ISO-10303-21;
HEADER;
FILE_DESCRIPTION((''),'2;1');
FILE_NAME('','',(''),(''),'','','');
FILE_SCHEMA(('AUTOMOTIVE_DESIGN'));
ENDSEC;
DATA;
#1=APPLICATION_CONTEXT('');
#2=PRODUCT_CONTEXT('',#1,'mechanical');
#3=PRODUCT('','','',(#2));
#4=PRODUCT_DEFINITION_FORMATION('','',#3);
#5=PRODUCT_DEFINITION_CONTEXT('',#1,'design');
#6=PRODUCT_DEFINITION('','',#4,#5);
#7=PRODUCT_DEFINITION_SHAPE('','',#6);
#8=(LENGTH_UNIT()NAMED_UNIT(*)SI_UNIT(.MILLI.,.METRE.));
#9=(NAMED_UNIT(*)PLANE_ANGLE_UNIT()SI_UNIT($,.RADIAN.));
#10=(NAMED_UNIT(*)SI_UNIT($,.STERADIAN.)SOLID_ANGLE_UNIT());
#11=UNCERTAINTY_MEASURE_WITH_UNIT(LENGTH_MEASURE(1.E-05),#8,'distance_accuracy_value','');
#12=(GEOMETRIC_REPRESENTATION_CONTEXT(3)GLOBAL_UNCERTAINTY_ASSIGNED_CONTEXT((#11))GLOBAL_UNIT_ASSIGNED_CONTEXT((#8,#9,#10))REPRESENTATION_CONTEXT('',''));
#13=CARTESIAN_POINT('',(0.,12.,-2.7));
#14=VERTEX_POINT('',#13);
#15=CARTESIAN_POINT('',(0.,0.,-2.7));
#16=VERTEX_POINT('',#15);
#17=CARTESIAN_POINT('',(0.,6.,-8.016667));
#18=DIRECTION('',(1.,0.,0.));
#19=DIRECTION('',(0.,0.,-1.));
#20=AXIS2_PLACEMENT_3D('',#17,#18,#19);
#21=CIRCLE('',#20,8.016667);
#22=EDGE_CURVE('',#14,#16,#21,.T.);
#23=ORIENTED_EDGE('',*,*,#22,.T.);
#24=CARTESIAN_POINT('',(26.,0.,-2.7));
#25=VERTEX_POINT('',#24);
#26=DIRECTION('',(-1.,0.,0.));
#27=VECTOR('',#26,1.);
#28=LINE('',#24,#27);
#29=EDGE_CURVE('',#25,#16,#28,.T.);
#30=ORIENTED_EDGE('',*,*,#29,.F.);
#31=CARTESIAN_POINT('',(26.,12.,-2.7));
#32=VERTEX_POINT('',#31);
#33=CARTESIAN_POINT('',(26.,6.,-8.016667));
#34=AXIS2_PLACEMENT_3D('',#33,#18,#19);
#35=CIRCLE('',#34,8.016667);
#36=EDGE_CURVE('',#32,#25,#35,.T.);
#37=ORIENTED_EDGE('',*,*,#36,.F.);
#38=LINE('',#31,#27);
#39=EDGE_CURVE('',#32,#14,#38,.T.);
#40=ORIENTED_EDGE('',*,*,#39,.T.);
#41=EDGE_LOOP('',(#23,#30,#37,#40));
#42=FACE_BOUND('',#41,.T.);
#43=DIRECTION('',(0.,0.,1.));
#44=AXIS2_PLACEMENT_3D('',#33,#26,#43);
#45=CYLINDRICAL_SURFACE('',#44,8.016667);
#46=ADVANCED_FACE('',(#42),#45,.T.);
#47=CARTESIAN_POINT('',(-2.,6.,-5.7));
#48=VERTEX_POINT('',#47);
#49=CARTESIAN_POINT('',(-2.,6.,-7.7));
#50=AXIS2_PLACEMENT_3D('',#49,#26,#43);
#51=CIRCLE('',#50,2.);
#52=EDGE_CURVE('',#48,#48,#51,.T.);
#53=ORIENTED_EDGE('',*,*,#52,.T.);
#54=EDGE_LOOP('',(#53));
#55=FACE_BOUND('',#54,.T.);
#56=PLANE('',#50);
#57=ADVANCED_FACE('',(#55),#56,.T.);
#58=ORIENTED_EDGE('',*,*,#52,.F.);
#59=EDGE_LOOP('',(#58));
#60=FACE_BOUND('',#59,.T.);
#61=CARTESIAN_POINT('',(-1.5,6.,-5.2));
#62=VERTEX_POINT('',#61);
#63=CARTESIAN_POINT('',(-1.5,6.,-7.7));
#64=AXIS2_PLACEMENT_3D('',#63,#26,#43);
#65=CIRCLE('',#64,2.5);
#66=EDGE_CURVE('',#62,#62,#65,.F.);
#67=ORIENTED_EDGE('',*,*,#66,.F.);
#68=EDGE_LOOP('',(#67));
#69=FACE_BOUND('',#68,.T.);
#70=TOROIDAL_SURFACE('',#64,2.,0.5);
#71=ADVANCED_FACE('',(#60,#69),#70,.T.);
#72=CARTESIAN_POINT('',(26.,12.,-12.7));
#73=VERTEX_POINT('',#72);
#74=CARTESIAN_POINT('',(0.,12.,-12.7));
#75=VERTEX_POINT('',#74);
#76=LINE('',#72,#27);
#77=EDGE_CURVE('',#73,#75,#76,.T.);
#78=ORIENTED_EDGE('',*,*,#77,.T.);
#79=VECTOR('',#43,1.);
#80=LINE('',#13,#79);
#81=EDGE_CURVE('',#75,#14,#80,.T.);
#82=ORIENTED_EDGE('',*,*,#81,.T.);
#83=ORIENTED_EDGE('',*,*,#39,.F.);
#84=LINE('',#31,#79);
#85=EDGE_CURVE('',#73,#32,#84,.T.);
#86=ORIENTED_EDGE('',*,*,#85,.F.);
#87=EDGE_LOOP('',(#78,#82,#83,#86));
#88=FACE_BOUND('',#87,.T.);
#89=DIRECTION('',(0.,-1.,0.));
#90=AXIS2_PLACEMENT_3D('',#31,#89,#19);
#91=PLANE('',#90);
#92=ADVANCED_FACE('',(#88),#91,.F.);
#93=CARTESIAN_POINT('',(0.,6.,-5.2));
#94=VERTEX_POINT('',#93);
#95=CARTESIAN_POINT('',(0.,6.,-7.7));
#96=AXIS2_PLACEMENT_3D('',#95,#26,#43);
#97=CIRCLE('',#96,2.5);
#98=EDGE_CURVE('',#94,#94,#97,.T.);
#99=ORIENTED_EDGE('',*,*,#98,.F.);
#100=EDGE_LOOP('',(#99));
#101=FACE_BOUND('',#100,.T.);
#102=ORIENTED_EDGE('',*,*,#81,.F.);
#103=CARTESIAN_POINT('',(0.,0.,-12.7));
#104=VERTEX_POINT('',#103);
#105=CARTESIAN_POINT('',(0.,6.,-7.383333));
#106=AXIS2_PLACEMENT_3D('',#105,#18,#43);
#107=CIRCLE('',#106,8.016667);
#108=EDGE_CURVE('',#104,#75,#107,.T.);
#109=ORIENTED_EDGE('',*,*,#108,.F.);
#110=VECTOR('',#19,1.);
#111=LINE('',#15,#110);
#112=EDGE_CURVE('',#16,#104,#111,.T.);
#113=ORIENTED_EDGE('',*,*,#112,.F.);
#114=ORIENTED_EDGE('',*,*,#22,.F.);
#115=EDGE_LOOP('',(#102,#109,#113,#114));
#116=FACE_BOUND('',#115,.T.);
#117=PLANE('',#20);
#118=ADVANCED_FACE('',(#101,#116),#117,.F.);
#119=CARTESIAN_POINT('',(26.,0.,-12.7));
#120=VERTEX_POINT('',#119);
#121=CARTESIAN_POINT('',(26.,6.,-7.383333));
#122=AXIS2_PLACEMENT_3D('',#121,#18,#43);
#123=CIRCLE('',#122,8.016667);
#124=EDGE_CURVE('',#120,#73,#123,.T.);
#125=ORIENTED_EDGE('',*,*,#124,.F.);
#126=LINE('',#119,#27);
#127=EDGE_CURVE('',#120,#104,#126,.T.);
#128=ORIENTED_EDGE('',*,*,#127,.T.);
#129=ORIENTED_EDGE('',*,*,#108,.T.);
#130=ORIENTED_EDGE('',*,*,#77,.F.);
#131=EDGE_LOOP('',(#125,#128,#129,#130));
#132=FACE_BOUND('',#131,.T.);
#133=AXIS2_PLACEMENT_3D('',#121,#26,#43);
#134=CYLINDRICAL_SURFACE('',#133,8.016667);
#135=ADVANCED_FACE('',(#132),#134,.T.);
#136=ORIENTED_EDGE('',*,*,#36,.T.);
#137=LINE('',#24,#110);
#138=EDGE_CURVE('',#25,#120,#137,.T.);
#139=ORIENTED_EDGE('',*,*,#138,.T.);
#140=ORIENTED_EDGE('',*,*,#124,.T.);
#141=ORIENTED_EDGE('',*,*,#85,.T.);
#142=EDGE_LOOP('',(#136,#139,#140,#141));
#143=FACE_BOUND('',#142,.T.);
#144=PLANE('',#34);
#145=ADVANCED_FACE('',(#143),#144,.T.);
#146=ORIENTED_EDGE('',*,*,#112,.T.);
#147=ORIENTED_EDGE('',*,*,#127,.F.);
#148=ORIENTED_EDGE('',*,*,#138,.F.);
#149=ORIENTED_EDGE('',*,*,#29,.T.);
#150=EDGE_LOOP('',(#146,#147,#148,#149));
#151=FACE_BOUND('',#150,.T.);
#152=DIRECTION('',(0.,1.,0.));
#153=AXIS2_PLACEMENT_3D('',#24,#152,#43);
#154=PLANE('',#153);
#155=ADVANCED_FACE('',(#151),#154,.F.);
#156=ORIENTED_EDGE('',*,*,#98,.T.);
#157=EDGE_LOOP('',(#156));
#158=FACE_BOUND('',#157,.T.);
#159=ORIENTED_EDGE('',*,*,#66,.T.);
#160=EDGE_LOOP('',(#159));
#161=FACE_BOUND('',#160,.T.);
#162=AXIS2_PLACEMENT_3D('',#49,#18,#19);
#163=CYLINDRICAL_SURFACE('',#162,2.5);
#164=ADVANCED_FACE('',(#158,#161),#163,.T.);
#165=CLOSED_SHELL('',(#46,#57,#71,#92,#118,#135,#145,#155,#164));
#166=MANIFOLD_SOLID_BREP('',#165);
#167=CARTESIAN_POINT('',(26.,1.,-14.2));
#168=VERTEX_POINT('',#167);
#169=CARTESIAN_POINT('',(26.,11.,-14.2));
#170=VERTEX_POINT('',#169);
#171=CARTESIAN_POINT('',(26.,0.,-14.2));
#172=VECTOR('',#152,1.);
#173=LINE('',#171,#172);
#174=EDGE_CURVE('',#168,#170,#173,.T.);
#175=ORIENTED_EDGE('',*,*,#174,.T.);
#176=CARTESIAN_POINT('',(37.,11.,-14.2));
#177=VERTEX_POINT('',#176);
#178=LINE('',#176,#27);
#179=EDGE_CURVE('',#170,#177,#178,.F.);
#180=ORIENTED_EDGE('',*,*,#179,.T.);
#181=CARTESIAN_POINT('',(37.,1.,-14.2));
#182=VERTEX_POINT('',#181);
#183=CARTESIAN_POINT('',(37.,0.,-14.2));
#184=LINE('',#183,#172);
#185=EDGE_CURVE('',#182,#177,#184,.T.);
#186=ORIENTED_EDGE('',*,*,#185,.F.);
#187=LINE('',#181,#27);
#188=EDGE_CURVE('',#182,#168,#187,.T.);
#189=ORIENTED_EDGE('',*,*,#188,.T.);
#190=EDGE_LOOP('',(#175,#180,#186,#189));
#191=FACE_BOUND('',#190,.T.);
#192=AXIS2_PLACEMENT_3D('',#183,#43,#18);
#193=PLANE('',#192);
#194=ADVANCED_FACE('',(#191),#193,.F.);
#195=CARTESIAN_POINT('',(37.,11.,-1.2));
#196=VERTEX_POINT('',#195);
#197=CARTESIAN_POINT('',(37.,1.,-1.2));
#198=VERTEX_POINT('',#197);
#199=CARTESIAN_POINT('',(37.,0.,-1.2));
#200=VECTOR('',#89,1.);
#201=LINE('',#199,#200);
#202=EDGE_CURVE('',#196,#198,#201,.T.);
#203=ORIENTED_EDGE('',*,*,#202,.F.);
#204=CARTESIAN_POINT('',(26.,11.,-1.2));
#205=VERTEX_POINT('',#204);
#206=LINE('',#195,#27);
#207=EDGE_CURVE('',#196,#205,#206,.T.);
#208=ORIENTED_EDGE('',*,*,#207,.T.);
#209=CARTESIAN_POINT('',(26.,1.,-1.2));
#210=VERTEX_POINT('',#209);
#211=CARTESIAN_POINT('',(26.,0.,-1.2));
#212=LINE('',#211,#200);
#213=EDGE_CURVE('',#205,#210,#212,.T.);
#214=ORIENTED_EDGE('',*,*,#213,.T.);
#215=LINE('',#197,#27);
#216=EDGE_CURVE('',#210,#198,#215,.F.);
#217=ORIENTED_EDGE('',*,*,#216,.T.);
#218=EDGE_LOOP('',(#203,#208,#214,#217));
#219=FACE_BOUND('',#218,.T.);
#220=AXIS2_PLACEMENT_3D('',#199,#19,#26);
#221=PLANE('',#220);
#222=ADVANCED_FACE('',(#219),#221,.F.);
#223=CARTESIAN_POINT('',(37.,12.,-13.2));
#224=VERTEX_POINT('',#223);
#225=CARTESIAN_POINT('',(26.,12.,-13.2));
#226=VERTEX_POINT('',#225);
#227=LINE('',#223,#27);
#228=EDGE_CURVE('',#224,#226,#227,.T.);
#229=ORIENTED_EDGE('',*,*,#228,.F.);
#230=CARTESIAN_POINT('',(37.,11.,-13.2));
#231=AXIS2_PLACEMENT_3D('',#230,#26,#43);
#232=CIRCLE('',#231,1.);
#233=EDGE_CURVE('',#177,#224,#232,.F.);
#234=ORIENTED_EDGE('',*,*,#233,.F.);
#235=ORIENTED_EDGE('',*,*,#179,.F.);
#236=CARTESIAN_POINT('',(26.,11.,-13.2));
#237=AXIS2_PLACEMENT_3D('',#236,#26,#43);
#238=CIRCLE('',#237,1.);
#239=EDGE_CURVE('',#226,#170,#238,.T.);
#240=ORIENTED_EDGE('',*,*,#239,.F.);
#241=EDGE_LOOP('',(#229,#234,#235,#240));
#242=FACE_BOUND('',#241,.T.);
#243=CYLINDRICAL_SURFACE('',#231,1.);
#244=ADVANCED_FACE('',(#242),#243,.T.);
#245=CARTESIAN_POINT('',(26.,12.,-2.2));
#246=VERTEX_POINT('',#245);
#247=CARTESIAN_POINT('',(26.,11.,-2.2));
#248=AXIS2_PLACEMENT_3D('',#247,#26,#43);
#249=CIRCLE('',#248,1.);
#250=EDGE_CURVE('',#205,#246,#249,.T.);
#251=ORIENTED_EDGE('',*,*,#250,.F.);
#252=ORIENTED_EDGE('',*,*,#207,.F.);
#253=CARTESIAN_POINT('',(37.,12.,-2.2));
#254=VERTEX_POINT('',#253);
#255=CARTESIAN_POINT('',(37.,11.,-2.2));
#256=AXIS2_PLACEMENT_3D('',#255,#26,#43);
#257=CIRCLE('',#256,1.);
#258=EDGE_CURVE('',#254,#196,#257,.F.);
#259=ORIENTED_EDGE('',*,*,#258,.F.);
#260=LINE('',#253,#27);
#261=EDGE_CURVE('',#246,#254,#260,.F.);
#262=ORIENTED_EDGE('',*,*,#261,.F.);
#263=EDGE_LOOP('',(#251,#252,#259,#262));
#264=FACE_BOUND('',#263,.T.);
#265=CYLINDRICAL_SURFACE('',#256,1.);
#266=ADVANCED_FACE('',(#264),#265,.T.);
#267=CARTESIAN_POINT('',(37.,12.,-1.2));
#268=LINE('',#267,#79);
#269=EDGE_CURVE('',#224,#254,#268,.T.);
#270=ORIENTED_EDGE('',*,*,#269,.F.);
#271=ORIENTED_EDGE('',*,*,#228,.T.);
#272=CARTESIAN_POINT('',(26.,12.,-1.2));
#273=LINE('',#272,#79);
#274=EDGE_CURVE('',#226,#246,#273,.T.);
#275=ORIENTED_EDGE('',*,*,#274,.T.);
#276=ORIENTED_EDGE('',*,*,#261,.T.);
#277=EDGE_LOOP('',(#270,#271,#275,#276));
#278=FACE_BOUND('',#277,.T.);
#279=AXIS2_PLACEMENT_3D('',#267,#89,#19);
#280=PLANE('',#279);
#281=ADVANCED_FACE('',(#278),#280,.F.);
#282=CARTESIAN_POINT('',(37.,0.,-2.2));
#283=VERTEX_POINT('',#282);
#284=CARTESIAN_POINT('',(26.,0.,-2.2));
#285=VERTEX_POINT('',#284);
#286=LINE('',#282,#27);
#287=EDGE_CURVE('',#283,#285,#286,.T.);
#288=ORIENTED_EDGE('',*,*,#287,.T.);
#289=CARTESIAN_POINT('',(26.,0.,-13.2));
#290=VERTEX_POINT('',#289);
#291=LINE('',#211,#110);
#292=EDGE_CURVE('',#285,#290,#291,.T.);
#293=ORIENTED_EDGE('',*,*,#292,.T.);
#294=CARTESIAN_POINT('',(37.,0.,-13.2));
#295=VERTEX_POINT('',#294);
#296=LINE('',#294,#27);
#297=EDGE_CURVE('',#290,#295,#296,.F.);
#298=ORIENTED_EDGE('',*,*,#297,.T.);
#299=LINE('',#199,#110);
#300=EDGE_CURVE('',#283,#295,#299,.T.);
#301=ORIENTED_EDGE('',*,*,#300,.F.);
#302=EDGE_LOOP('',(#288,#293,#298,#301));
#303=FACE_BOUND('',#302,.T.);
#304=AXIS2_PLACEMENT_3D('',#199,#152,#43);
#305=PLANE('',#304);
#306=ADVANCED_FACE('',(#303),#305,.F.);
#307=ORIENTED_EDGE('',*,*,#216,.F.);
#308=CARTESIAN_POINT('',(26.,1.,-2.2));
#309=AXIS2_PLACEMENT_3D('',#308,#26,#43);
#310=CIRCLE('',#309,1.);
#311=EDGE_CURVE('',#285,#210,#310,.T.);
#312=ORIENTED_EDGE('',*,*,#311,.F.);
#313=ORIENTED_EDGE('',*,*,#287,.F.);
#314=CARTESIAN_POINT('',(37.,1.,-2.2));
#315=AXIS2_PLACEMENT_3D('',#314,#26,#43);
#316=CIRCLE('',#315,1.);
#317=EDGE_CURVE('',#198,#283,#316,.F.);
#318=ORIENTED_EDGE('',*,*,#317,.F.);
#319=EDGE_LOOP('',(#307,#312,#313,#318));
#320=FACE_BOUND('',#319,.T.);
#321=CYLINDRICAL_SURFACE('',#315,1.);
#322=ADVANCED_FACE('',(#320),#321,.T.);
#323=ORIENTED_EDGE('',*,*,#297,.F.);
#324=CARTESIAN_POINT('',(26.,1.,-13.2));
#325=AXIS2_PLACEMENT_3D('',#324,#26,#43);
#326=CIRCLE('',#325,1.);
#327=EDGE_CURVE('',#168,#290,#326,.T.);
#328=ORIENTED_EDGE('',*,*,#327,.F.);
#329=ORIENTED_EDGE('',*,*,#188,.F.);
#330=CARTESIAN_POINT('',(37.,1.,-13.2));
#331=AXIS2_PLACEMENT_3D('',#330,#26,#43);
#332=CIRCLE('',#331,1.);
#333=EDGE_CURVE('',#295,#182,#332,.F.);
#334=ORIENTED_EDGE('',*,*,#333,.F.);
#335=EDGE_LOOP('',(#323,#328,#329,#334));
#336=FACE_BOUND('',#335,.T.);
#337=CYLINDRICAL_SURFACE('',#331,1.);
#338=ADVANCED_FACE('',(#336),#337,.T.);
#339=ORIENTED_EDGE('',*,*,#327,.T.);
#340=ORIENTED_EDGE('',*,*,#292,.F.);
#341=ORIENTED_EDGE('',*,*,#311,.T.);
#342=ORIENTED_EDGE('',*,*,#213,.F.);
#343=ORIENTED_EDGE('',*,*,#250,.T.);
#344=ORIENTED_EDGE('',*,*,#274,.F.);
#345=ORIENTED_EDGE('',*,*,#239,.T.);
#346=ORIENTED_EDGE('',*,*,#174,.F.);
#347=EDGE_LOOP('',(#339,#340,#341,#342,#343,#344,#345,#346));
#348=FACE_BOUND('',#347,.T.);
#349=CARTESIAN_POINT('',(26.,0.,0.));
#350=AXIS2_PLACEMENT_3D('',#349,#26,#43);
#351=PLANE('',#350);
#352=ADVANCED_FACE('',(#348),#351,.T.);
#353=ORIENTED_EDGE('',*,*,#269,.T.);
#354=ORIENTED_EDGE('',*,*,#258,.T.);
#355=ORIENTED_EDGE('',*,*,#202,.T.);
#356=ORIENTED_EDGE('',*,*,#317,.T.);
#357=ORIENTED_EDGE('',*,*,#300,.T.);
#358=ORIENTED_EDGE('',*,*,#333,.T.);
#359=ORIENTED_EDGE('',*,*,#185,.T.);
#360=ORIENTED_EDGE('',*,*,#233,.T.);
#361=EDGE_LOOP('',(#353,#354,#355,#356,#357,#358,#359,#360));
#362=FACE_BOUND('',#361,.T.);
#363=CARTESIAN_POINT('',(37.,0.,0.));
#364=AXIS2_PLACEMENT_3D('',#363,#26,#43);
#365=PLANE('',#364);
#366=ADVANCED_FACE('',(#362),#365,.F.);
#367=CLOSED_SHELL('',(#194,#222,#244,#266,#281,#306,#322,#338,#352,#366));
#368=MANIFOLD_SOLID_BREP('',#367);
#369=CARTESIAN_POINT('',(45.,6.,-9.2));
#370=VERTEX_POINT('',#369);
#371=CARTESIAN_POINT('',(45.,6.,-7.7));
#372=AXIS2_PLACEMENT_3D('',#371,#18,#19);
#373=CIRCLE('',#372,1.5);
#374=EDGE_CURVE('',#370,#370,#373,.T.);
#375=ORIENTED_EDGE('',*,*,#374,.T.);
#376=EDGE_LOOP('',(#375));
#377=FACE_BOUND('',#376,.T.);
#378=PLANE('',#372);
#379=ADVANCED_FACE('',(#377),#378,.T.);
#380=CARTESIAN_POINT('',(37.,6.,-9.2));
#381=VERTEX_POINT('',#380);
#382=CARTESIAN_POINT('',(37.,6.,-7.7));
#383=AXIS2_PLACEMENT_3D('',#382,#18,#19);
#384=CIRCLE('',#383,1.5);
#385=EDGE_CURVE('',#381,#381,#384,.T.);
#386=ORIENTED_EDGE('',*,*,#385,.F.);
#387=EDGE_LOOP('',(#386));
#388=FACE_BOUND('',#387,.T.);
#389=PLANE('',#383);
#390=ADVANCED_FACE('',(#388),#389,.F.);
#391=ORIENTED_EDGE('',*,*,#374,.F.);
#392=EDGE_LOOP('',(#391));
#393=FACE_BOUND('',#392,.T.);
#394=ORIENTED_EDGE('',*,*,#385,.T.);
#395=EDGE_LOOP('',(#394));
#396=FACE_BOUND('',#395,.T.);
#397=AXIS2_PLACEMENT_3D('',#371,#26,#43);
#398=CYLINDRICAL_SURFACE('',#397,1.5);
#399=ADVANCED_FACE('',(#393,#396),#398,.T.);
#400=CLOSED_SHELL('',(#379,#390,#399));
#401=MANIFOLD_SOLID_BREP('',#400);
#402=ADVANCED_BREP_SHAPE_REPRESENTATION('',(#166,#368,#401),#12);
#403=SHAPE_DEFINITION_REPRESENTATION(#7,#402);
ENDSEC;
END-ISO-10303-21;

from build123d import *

# Parameters (mm, degrees)
EXTRUDE_1_DEPTH = 26
SKETCH_2_W      = 13
SKETCH_2_H      = 12
EXTRUDE_2_DEPTH = 11
SKETCH_3_R      = 1.5
EXTRUDE_3_DEPTH = 8
SKETCH_4_R      = 2.5
EXTRUDE_4_DEPTH = 2
FILLET_1_R      = 0.5
FILLET_2_R      = 1


with BuildPart() as part:
    # Эскиз1 → Бобышка-Вытянуть1 (new body)
    with BuildSketch(Plane(origin=(0, 0, 0), x_dir=(0, 0, -1), z_dir=(1, 0, 0))):
        with BuildLine():
            Line((2.7, 12), (12.7, 12))
            ThreePointArc((12.7, 12), (15.4, 6), (12.7, 0))
            Line((12.7, 0), (2.7, 0))
            ThreePointArc((2.7, 0), (0, 6), (2.7, 12))
        make_face()
    extrude(amount=EXTRUDE_1_DEPTH)

    # Эскиз4 → Бобышка-Вытянуть4 (add)
    with BuildSketch(Plane.ZY):
        with Locations((-7.7, 6)):
            Circle(SKETCH_4_R)
    extrude(amount=EXTRUDE_4_DEPTH)

    # Скругление1
    fillet_1_edges = [part.edges().sort_by_distance(p)[0] for p in [
        (-2, 6, -10.2),
    ]]
    fillet(fillet_1_edges, radius=FILLET_1_R)


with BuildPart() as body_2:
    # Эскиз2 → Бобышка-Вытянуть2 (new body)
    with BuildSketch(Plane(origin=(26, 0, 0), x_dir=(0, 0, -1), z_dir=(1, 0, 0))):
        with Locations((7.7, 6)):
            Rectangle(SKETCH_2_W, SKETCH_2_H)
    extrude(amount=EXTRUDE_2_DEPTH)

    # Скругление2
    fillet_2_edges = [body_2.edges().sort_by_distance(p)[0] for p in [
        (31.5, 0, -14.2),
        (31.5, 0, -1.2),
        (31.5, 12, -1.2),
        (31.5, 12, -14.2),
    ]]
    fillet(fillet_2_edges, radius=FILLET_2_R)


with BuildPart() as body_3:
    # Эскиз3 → Бобышка-Вытянуть3 (new body)
    with BuildSketch(Plane(origin=(37, 0, 0), x_dir=(0, 0, -1), z_dir=(1, 0, 0))):
        with Locations((7.7, 6)):
            Circle(SKETCH_3_R)
    extrude(amount=EXTRUDE_3_DEPTH)


solid = Compound([part.part, body_2.part, body_3.part])
